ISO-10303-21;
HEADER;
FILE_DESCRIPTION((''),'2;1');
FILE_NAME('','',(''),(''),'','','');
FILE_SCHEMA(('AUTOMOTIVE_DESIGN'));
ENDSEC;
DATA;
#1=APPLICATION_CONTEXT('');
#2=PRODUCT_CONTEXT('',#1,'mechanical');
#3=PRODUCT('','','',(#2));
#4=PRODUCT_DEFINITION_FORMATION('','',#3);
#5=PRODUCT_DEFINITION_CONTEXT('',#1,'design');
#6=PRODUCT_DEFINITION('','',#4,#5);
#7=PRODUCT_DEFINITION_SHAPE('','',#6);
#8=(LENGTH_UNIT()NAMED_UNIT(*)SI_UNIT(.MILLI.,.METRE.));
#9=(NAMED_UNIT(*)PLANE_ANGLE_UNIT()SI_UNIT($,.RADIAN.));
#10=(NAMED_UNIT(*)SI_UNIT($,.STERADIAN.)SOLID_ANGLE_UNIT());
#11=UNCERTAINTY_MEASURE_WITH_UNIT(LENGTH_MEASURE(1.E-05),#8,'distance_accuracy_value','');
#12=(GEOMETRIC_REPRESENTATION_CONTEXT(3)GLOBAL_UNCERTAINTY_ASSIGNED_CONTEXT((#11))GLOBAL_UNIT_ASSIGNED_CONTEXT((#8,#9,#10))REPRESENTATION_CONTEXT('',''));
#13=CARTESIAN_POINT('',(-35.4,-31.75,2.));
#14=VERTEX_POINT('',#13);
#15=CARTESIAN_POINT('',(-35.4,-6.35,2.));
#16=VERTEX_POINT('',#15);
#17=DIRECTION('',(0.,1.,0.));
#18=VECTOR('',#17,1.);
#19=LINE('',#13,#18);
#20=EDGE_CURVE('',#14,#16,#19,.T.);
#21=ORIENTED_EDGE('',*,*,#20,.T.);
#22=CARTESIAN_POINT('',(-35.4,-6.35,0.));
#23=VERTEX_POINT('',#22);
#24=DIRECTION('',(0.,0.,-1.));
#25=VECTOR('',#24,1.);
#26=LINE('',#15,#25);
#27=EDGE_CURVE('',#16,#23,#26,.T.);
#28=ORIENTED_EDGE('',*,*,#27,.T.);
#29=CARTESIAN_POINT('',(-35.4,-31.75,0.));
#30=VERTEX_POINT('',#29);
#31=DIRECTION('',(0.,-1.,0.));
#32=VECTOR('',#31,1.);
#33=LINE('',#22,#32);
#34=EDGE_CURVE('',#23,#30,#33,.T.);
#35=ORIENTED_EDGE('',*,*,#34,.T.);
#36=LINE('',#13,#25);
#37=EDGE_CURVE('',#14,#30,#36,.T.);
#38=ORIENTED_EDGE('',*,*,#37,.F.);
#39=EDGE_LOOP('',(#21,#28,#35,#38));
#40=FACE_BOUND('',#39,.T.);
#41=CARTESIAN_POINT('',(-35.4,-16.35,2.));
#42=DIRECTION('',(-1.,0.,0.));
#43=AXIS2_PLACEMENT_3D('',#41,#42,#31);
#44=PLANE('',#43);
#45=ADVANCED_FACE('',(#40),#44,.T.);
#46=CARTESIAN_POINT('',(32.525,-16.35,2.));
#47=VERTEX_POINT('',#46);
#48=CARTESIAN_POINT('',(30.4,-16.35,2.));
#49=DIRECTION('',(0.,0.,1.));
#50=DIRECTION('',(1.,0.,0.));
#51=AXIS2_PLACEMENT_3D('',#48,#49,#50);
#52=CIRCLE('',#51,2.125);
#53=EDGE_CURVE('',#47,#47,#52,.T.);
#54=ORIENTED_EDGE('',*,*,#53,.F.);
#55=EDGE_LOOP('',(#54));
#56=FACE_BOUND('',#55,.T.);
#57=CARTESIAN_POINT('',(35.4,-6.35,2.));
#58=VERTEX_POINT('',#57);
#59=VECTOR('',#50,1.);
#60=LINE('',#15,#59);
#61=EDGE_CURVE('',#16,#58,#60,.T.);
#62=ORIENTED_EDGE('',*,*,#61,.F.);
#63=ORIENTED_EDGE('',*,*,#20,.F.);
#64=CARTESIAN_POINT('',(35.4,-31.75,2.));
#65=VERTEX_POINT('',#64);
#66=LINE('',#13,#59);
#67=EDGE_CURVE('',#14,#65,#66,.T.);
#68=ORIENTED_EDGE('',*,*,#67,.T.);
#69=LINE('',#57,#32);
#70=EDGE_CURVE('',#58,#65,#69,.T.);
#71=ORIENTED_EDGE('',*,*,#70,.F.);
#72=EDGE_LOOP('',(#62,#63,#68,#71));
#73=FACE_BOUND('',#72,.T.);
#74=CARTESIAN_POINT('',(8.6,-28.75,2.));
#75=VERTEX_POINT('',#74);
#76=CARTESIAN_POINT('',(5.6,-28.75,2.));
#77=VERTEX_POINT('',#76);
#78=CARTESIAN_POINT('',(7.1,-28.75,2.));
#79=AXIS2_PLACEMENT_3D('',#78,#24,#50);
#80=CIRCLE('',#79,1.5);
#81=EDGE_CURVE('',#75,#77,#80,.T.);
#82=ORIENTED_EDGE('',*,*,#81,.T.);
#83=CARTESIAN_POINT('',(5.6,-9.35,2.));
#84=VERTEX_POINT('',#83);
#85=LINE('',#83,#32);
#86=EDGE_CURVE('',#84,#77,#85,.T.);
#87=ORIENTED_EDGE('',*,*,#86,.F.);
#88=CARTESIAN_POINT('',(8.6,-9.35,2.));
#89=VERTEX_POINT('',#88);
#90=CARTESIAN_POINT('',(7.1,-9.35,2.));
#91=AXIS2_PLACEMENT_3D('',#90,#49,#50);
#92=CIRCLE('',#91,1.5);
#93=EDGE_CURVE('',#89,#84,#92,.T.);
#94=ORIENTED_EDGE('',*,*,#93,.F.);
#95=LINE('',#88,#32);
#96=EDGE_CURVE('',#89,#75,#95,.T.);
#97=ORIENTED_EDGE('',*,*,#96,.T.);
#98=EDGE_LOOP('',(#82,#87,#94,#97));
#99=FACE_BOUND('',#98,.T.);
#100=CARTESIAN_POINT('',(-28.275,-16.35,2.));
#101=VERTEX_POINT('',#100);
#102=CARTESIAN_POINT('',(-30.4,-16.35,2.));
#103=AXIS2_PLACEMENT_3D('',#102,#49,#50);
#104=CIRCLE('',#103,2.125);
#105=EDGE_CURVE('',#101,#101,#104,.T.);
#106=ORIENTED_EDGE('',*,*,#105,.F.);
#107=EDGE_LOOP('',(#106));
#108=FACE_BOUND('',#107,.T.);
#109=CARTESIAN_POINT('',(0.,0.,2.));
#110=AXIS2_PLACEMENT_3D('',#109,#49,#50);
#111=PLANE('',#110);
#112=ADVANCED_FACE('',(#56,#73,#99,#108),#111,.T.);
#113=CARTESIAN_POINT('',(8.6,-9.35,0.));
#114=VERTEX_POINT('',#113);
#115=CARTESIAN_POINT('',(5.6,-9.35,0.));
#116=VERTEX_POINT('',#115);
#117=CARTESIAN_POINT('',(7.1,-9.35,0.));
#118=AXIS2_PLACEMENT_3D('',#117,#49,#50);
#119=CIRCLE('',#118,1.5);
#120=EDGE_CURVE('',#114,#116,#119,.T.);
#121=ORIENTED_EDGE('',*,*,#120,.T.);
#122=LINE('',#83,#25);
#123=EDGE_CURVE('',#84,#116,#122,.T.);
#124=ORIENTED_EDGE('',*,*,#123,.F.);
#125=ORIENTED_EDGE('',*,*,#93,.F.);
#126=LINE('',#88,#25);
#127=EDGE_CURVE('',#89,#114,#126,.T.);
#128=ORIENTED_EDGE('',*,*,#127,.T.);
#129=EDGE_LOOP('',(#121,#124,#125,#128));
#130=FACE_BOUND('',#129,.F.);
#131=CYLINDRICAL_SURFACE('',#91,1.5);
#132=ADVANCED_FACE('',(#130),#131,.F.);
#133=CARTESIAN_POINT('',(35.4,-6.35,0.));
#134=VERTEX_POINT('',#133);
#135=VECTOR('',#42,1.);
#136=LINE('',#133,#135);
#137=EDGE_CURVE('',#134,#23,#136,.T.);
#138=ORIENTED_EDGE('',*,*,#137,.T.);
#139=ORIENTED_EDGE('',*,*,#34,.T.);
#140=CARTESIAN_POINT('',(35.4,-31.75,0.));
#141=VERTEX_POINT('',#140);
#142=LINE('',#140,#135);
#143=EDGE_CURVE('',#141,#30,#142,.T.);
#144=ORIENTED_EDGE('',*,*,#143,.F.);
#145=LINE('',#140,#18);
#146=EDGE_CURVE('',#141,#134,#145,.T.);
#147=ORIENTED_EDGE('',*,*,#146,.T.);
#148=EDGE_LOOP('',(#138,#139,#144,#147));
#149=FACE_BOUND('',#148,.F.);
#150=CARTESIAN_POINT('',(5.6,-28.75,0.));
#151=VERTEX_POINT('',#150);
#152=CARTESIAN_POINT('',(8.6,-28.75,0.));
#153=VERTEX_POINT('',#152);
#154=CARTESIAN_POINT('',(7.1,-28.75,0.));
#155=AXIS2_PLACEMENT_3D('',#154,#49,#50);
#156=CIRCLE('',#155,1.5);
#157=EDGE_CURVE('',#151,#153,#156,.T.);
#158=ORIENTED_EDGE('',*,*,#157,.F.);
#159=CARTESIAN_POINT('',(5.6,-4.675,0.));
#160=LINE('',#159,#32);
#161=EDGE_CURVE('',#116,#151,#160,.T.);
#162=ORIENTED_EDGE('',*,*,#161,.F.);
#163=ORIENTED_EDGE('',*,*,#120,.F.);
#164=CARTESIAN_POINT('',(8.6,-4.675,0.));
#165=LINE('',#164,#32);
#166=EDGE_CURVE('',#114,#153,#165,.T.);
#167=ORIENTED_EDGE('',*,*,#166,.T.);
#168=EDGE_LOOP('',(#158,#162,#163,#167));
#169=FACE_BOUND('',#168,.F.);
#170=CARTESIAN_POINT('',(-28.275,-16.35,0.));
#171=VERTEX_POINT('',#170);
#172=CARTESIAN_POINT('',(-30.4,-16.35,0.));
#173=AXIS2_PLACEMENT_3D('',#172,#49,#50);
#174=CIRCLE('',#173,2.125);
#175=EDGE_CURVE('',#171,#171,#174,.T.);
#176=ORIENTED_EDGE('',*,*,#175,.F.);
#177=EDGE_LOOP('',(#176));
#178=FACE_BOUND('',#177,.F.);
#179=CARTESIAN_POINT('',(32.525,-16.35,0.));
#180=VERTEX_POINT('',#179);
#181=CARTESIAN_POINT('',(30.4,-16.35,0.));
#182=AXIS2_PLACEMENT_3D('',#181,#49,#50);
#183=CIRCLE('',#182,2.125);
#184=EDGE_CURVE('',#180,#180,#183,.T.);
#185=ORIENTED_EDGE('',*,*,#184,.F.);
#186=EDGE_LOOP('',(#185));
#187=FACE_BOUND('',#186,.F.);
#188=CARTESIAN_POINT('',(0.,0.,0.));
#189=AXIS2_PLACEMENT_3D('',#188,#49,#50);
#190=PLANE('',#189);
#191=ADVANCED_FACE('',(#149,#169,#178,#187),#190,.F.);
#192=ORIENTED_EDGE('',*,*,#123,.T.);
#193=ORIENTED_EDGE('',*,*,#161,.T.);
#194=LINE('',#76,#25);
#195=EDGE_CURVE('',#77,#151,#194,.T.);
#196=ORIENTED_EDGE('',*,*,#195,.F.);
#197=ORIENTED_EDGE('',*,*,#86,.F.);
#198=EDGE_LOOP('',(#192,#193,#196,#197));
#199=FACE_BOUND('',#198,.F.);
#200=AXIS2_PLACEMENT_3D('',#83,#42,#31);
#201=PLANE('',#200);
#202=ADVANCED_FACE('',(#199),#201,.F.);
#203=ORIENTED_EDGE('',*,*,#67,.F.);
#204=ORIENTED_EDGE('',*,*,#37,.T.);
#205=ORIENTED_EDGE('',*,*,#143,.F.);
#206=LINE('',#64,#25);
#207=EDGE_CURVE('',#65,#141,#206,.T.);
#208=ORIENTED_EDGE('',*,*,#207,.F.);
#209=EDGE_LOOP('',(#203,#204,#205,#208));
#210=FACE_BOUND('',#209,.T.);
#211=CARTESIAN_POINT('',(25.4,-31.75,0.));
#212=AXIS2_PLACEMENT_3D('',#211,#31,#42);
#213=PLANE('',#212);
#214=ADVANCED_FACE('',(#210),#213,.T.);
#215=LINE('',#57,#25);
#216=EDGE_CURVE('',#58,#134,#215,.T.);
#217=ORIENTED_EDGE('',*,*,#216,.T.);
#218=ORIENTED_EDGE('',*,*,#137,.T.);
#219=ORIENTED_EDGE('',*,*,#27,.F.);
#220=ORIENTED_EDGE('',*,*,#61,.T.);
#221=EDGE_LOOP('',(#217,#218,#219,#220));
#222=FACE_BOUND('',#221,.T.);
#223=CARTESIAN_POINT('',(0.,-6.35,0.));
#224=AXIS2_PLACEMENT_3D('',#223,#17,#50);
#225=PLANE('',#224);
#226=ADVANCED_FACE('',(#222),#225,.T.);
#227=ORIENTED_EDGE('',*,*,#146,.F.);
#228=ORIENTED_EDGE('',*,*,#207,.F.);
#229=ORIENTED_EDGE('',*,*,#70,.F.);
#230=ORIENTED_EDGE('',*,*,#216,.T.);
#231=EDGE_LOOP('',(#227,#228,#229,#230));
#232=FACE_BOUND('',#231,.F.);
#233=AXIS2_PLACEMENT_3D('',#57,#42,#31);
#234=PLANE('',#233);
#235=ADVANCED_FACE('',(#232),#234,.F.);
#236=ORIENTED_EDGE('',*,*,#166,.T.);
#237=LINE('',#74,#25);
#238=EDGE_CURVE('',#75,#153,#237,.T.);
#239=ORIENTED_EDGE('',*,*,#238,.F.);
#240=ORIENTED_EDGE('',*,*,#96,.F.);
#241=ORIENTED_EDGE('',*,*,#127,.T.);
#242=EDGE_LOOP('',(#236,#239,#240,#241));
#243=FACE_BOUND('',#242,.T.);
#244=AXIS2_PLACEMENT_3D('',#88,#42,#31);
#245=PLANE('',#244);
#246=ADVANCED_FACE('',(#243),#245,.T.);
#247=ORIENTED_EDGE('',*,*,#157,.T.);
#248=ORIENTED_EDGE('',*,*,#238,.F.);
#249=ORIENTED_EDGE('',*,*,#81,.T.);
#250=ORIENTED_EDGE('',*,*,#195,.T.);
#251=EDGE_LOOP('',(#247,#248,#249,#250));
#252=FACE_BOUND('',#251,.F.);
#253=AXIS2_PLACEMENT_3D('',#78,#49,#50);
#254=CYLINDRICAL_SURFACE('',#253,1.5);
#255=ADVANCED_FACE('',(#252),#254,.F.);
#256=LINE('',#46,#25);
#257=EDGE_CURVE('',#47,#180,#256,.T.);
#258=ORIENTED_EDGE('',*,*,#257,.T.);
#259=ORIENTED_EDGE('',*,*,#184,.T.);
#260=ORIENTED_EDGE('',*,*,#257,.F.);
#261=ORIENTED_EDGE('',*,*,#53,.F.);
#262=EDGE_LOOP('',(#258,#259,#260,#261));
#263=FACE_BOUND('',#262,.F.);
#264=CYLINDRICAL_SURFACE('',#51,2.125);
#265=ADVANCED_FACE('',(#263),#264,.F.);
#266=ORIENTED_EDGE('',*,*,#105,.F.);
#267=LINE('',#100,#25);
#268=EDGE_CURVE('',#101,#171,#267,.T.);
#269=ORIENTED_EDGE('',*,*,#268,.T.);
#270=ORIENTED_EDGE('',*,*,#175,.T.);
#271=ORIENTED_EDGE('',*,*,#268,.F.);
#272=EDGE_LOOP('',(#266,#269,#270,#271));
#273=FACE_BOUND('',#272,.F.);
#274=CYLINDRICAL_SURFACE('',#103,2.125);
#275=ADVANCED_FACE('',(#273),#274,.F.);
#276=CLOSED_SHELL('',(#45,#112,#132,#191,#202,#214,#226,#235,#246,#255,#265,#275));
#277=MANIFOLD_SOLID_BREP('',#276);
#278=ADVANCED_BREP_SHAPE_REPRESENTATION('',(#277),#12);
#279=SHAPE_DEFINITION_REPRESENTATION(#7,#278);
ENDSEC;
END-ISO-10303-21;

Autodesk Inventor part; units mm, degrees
ref_plane "YZ Plane" through (0, 0, 0) normal (1, 0, 0) x (0, 1, 0)
ref_plane "XZ Plane" through (0, 0, 0) normal (0, 1, 0) x (-1, 0, 0)
ref_plane "XY Plane" through (0, 0, 0) normal (0, 0, 1) x (1, 0, 0)
sketch "Sketch1" plane through (0, 0, 0) normal (0, 0, 1) x (1, 0, 0)
  line L0 (0, -6.35) -> (25.4, -6.35)
  line L1 (25.4, -6.35) -> (25.4, -31.75)
  line L2 (25.4, -31.75) -> (-25.4, -31.75)
  line L3 (-25.4, -31.75) -> (-25.4, -6.35)
  line L4 (-25.4, -6.35) -> (0, -6.35)
  point P0 (-6.35, -6.35)
  point P1 (6.35, -6.35)
  dimension "d7" = 25.4
  dimension "d8" = 25.4
  dimension "d9" = 50.8
extrude "Extrusion1" add sketch "Sketch1" along normal blind 2
sketch "Sketch2" plane through (0, 0, 2) normal (0, 0, 1) x (1, 0, 0)
  line L0 (-25.4, -6.35) -> (-25.4, -31.75) projected
  line L1 (-25.4, -31.75) -> (7.1, -31.75)
  line L2 (-25.4, -31.75) -> (25.4, -31.75) projected
  line L3 (7.1, -31.75) -> (7.1, -30.75)
  line L4 (7.1, -30.75) -> (7.1, -28.75)
  circle A0 centre (7.1, -28.75) radius 1.5
  circle A1 centre (7.1, -9.35) radius 1.5
  line L5 (5.6, -9.35) -> (5.6, -28.75)
  line L6 (8.6, -9.35) -> (8.6, -28.75)
  point P0 (0, 0)
  dimension "d10" = 32.5
  dimension "d11" = 1
  dimension "d12" = 2
  dimension "d13" = 3
  dimension "d15" = 3
extrude "Extrusion2" cut sketch "Sketch2" against normal blind 2.54
sketch "Sketch4" plane through (0, 0, 2) normal (0, 0, 1) x (1, 0, 0)
  line L0 (25.4, -6.35) -> (35.4, -6.35)
  line L1 (35.4, -6.35) -> (35.4, -16.35)
  circle A0 centre (30.4, -16.35) radius 2.125
  line L2 (25.4, -6.35) -> (35.4, -6.35)
  line L3 (35.4, -6.35) -> (35.4, -31.75)
  line L4 (35.4, -31.75) -> (25.4, -31.75)
  line L5 (25.4, -31.75) -> (25.4, -6.35)
  line L6 (25.4, -6.35) -> (-25.4, -6.35) projected
  line L7 (25.4, -6.35) -> (0, -6.35)
  line L8 (0, -6.35) -> (0, -31.75)
  line L9 (-25.4, -6.35) -> (-35.4, -6.35)
  line L10 (-35.4, -6.35) -> (-35.4, -16.35)
  circle A1 centre (-30.4, -16.35) radius 2.125
  line L11 (-25.4, -6.35) -> (-35.4, -6.35)
  line L12 (-35.4, -6.35) -> (-35.4, -31.75)
  line L13 (-35.4, -31.75) -> (-25.4, -31.75)
  line L14 (-25.4, -31.75) -> (-25.4, -6.35)
  point P0 (0, 0)
  dimension "d40" = 10
  dimension "d41" = 10
  dimension "d42" = 4.25
  dimension "d43" = 25.4
extrude "Extrusion4" add sketch "Sketch4" against normal blind 2
properties part number "Ultrasonic Sensor 2.0"
